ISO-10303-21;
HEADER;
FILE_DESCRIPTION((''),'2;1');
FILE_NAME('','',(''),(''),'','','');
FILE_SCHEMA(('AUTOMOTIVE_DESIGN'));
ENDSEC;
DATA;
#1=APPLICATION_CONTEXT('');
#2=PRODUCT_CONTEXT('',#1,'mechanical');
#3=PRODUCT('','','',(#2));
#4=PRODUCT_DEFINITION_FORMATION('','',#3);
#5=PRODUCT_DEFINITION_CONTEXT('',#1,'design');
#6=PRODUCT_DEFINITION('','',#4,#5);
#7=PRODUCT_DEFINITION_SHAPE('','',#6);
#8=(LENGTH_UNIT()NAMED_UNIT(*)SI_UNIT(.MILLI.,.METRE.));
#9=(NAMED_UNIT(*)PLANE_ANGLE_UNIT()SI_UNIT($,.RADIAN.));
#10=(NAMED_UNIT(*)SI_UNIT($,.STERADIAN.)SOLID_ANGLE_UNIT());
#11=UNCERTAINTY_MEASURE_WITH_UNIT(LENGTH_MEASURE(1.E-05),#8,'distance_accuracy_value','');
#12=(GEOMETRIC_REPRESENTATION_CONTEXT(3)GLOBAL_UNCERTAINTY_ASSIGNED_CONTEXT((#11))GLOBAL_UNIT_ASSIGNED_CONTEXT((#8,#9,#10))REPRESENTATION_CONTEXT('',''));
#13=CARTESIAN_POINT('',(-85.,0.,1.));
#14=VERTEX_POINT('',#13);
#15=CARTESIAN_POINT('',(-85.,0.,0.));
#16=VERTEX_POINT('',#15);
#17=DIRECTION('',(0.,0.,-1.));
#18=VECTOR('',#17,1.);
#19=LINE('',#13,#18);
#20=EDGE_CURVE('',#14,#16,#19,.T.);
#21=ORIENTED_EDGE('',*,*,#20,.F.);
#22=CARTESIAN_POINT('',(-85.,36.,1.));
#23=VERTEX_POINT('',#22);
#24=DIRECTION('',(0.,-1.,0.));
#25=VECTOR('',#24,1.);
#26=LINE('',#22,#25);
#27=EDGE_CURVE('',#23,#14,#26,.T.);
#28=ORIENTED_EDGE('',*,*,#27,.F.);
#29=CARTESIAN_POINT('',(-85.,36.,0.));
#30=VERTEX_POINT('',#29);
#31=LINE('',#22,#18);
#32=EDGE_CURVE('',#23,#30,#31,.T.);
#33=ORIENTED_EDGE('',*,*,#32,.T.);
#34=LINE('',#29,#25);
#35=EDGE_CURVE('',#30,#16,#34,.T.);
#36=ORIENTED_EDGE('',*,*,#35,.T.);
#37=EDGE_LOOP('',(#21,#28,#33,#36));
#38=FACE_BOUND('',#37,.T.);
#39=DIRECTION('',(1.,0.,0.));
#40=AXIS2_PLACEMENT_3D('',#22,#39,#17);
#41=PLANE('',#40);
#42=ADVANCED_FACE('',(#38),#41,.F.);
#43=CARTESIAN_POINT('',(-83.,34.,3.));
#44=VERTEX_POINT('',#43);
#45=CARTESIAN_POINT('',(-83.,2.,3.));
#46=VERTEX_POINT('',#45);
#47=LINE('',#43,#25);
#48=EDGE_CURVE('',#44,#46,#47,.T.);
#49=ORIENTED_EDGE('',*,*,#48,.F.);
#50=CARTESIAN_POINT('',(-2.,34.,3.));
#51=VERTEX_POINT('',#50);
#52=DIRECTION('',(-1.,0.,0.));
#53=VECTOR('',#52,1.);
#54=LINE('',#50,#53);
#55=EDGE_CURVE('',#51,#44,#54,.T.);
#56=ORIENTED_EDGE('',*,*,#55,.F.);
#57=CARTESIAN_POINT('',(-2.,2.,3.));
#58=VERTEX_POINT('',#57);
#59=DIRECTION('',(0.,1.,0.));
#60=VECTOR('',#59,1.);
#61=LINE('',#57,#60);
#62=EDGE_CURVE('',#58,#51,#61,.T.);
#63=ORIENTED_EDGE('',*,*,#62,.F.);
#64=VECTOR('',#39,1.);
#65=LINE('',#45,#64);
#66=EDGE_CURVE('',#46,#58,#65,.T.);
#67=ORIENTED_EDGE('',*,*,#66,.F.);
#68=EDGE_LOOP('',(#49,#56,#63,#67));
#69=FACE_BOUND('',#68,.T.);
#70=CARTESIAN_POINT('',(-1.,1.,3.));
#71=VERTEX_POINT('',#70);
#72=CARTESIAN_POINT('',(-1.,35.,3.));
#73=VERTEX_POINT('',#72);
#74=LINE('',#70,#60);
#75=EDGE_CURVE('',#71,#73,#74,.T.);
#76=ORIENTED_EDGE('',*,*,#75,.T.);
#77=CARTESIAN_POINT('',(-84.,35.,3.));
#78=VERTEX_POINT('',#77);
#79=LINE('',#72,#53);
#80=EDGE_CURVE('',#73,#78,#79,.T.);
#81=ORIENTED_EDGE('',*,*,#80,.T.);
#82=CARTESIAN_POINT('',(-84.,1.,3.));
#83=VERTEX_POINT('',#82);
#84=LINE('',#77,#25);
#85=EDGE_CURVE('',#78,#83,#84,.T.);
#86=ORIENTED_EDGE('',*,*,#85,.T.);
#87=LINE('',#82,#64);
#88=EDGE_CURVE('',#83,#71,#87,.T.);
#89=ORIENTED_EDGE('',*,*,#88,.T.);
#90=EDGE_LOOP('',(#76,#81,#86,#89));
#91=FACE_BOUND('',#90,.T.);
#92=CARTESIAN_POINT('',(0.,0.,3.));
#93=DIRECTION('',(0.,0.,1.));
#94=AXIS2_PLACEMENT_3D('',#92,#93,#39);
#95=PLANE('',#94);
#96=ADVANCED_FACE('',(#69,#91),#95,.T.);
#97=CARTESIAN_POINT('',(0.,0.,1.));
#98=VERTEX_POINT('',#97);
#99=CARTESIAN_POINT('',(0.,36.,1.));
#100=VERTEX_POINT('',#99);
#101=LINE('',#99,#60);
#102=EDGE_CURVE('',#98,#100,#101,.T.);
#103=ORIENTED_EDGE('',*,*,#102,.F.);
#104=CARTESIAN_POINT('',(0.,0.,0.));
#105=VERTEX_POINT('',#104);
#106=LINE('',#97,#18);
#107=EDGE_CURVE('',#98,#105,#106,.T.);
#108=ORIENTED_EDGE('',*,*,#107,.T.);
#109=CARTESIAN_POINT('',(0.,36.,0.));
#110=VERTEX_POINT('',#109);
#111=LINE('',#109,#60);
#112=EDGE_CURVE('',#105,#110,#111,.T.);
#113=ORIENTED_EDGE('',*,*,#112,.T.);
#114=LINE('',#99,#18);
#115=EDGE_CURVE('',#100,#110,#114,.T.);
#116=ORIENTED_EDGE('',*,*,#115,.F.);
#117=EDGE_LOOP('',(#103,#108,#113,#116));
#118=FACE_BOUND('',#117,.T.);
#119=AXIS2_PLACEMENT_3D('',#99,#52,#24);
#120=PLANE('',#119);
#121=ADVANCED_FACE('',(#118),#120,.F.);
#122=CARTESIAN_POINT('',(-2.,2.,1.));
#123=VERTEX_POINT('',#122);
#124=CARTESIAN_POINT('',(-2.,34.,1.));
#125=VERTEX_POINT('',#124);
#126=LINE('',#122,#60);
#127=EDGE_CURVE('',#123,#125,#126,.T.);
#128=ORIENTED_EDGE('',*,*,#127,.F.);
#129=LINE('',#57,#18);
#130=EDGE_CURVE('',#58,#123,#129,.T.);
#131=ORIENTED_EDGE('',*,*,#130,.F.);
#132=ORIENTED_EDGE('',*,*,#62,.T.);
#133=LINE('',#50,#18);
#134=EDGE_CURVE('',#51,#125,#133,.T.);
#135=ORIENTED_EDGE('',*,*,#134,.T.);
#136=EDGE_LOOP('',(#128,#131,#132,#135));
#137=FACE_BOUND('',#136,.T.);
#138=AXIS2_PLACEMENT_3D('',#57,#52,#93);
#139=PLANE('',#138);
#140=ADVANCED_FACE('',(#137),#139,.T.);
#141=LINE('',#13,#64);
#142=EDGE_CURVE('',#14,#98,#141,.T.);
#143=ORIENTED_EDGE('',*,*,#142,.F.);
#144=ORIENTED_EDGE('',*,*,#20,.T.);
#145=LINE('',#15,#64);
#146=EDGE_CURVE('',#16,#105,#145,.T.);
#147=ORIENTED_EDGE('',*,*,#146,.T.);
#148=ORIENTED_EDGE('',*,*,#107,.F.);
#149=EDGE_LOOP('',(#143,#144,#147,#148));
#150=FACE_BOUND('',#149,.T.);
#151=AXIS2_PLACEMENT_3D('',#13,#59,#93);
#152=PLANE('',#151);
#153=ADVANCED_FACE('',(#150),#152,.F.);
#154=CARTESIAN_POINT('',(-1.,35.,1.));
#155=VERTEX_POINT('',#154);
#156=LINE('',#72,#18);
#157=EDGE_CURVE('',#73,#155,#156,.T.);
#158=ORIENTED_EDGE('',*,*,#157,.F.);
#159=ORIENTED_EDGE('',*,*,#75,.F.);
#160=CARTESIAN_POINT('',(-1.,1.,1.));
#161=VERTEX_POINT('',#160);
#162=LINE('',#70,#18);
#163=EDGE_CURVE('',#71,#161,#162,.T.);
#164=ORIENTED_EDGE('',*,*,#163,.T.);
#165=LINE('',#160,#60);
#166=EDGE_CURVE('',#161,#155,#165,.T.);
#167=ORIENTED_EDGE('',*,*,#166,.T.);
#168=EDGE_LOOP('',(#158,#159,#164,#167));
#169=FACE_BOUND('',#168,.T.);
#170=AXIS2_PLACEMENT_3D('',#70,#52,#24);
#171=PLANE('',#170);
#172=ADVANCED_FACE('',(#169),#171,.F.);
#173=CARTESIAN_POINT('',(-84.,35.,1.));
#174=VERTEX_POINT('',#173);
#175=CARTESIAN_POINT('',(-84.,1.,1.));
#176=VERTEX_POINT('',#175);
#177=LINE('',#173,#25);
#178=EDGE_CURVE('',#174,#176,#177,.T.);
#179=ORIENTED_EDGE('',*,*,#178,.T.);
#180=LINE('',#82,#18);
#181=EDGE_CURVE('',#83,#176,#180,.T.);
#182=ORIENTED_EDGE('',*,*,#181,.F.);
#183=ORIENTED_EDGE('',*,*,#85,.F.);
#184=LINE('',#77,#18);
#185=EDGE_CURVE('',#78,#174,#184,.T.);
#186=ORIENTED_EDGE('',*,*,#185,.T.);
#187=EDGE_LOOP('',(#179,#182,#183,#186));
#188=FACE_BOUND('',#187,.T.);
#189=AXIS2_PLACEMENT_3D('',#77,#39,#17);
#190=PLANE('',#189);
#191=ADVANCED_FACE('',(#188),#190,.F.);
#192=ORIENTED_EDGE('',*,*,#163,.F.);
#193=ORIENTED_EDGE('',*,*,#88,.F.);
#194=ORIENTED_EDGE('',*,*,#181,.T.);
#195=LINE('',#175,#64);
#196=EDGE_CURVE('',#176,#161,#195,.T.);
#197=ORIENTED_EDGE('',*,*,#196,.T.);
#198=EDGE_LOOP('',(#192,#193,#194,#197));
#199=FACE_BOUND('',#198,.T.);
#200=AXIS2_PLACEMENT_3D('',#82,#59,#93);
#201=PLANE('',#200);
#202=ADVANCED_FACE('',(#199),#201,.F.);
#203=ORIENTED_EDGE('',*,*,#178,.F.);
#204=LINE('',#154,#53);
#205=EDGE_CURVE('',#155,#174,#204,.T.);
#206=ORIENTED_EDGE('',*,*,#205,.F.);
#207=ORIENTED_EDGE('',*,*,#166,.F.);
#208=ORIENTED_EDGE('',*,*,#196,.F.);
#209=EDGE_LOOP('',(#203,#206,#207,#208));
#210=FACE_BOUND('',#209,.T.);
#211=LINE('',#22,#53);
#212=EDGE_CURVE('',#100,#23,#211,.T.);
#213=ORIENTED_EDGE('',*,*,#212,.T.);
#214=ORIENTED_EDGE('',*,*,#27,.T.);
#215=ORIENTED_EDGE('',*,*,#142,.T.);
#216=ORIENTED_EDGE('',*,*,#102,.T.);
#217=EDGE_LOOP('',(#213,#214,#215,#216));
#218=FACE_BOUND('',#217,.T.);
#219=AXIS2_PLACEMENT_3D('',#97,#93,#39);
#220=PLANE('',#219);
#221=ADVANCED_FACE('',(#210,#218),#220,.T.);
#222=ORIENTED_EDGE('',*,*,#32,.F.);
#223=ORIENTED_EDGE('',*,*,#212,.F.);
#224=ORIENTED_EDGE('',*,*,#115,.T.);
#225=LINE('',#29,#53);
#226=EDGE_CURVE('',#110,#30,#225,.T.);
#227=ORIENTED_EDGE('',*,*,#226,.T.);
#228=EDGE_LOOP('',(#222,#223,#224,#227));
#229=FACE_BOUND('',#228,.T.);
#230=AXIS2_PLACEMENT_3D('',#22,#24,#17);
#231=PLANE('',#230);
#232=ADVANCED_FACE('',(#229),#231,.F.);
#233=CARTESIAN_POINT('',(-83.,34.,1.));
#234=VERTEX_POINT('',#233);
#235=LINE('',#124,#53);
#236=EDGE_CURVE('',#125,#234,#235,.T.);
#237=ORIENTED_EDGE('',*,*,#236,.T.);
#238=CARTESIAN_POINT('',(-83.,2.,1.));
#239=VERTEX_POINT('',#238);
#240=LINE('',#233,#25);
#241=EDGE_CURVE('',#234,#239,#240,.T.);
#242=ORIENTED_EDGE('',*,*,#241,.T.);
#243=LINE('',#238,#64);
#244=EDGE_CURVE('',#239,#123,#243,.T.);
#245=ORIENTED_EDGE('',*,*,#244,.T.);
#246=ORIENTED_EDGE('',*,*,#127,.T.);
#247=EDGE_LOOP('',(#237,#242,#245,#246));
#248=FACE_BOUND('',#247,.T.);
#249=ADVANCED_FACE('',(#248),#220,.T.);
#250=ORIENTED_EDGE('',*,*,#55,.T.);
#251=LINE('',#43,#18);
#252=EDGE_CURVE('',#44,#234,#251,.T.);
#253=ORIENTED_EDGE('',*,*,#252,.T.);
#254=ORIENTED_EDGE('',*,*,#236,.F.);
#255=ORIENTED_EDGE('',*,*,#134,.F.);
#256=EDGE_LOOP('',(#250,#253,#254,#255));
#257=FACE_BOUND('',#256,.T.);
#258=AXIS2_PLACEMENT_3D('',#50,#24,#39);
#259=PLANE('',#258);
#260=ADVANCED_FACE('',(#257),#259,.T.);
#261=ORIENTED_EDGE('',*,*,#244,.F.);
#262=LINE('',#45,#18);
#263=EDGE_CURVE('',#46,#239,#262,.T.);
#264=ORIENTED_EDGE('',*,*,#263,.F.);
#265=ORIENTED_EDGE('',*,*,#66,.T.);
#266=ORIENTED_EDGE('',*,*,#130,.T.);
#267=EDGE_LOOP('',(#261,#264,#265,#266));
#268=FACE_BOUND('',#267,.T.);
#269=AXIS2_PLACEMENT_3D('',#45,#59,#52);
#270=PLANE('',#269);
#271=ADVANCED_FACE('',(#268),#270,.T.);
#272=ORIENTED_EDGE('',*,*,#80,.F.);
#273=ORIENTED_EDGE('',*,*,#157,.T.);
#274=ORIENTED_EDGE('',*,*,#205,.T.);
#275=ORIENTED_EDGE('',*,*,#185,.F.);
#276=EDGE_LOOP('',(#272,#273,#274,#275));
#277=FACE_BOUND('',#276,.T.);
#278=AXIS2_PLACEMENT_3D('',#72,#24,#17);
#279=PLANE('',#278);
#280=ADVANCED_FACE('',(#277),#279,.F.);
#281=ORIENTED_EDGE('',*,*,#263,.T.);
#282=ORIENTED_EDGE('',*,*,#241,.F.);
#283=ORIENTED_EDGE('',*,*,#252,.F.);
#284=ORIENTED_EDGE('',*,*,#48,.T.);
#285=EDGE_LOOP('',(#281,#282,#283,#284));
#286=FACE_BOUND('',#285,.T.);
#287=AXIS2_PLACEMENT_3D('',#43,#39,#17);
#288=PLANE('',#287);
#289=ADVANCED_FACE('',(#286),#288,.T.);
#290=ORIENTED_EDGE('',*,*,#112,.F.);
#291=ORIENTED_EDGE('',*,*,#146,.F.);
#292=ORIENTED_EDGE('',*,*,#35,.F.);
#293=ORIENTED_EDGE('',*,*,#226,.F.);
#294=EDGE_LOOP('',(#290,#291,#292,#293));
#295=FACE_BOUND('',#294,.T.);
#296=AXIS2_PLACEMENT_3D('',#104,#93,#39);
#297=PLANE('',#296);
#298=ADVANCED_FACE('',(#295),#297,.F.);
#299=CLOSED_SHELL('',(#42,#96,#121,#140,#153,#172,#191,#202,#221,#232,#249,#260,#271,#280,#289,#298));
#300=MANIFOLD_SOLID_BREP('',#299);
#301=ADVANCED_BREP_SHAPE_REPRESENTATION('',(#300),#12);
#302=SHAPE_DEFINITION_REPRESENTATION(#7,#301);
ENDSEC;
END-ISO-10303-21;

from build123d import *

# Parameters (mm, degrees)
SKIZZE1_W                       = 85
SKIZZE1_H                       = 36
AUFSATZ_LINEAR_AUSTRAGEN1_DEPTH = 1
SKIZZE2_W                       = 83
SKIZZE2_H                       = 34
SKIZZE2_W_2                     = 81
SKIZZE2_H_2                     = 32
AUFSATZ_LINEAR_AUSTRAGEN2_DEPTH = 2


with BuildPart() as part:
    # Skizze1 → Aufsatz-Linear austragen1 (new body)
    with BuildSketch(Plane.XY):
        with Locations((-42.5, 18)):
            Rectangle(SKIZZE1_W, SKIZZE1_H)
    extrude(amount=AUFSATZ_LINEAR_AUSTRAGEN1_DEPTH)

    # Skizze2 → Aufsatz-Linear austragen2 (add)
    with BuildSketch(Plane.XY.offset(1)):
        with Locations((-42.5, 18)):
            Rectangle(SKIZZE2_W, SKIZZE2_H)
        with Locations((-42.5, 18)):
            Rectangle(SKIZZE2_W_2, SKIZZE2_H_2, mode=Mode.SUBTRACT)
    extrude(amount=AUFSATZ_LINEAR_AUSTRAGEN2_DEPTH)


solid = part.part
